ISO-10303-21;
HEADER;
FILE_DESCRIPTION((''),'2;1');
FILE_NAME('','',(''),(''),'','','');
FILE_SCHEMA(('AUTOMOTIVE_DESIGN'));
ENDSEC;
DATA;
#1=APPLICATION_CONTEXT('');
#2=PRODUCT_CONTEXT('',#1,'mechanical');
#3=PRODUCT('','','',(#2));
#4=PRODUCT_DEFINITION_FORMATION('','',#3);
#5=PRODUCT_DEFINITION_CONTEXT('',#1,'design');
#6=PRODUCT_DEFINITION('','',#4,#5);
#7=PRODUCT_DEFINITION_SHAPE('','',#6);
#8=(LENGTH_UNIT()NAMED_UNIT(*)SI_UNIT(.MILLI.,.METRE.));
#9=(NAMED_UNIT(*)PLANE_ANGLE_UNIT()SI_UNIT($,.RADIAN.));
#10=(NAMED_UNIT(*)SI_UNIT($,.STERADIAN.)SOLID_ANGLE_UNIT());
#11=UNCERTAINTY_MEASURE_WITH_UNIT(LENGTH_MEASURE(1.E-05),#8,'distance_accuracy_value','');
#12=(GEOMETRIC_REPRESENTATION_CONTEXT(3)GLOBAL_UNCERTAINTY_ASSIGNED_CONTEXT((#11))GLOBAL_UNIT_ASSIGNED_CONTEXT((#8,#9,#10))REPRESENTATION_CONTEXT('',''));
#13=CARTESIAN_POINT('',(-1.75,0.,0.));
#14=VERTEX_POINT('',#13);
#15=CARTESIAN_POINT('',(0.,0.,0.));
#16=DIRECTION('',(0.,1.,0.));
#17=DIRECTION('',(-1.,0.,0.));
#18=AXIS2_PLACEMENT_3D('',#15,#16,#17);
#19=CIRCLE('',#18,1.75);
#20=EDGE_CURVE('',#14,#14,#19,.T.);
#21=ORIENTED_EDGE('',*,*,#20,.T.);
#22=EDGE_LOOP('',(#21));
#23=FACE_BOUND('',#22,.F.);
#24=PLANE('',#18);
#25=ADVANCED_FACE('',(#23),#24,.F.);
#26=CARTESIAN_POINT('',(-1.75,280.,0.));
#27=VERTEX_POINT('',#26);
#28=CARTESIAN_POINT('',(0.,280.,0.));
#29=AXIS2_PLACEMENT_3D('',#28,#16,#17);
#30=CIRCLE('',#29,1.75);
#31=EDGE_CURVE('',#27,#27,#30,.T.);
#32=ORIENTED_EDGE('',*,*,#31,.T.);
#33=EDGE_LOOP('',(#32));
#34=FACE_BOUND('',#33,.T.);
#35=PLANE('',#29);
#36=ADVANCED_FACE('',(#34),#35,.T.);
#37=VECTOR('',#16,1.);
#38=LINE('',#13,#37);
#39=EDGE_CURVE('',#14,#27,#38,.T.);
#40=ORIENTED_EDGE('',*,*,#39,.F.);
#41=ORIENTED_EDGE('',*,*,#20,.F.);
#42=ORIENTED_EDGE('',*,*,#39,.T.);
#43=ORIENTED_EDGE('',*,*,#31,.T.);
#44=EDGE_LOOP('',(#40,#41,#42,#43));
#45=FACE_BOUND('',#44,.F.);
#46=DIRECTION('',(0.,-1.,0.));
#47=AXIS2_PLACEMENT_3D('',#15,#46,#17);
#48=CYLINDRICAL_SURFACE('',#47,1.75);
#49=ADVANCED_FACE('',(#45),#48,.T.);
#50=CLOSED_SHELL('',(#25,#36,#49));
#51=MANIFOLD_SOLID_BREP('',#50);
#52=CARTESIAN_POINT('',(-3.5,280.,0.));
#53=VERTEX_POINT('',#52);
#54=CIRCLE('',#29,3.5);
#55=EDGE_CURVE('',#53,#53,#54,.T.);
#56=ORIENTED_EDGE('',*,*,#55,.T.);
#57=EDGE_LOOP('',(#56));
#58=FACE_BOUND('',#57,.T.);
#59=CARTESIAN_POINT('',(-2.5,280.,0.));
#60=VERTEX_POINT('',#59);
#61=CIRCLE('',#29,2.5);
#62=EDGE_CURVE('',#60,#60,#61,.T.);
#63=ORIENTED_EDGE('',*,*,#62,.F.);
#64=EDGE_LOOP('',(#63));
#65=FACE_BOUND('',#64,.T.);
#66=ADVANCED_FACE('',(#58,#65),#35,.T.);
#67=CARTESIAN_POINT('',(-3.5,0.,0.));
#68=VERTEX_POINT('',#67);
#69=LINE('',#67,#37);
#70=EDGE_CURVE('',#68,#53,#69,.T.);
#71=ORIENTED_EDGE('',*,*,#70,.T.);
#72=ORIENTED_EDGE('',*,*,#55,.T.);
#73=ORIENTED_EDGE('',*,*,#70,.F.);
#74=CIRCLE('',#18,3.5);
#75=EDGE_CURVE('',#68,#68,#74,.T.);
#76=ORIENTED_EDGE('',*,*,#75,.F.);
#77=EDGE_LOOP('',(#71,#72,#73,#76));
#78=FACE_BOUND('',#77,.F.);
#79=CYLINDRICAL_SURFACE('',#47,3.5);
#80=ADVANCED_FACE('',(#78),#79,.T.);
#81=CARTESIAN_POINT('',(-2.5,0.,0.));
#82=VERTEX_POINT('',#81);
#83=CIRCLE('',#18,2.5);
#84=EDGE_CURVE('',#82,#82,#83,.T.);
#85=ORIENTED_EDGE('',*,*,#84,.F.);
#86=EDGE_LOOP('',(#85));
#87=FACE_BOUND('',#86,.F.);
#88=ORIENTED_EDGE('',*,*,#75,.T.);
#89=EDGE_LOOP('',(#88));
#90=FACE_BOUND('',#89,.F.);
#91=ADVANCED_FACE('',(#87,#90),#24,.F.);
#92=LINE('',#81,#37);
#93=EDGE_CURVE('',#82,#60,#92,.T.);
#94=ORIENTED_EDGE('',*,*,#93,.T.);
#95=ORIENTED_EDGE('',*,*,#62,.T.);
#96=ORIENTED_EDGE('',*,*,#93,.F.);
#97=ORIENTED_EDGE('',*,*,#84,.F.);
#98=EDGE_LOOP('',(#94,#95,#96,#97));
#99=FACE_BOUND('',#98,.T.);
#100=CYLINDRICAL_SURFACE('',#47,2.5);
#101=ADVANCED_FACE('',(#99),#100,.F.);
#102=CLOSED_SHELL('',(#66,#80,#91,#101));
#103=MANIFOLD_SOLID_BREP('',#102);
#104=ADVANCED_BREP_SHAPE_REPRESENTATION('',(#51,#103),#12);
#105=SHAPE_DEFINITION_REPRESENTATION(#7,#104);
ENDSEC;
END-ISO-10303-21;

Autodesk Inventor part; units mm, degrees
ref_plane "YZ Plane" through (0, 0, 0) normal (1, 0, 0) x (0, 1, 0)
ref_plane "XZ Plane" through (0, 0, 0) normal (0, 1, 0) x (-1, 0, 0)
ref_plane "XY Plane" through (0, 0, 0) normal (0, 0, 1) x (1, 0, 0)
sketch "Эскиз1" plane through (0, 0, 0) normal (0, 1, 0) x (-1, 0, 0)
  circle A0 centre (0, 0) radius 3.5
  circle A1 centre (0, 0) radius 2.5
  circle A2 centre (0, 0) radius 1.75
  dimension "d0" = 7
  dimension "d1" = 5
  dimension "d2" = 3.5
extrude "Выдавливание1" add sketch "Эскиз1" along normal blind 280 contours A2
extrude "Выдавливание2" add sketch "Эскиз1" along normal blind 280 contours A0
properties part number "wire_C"
